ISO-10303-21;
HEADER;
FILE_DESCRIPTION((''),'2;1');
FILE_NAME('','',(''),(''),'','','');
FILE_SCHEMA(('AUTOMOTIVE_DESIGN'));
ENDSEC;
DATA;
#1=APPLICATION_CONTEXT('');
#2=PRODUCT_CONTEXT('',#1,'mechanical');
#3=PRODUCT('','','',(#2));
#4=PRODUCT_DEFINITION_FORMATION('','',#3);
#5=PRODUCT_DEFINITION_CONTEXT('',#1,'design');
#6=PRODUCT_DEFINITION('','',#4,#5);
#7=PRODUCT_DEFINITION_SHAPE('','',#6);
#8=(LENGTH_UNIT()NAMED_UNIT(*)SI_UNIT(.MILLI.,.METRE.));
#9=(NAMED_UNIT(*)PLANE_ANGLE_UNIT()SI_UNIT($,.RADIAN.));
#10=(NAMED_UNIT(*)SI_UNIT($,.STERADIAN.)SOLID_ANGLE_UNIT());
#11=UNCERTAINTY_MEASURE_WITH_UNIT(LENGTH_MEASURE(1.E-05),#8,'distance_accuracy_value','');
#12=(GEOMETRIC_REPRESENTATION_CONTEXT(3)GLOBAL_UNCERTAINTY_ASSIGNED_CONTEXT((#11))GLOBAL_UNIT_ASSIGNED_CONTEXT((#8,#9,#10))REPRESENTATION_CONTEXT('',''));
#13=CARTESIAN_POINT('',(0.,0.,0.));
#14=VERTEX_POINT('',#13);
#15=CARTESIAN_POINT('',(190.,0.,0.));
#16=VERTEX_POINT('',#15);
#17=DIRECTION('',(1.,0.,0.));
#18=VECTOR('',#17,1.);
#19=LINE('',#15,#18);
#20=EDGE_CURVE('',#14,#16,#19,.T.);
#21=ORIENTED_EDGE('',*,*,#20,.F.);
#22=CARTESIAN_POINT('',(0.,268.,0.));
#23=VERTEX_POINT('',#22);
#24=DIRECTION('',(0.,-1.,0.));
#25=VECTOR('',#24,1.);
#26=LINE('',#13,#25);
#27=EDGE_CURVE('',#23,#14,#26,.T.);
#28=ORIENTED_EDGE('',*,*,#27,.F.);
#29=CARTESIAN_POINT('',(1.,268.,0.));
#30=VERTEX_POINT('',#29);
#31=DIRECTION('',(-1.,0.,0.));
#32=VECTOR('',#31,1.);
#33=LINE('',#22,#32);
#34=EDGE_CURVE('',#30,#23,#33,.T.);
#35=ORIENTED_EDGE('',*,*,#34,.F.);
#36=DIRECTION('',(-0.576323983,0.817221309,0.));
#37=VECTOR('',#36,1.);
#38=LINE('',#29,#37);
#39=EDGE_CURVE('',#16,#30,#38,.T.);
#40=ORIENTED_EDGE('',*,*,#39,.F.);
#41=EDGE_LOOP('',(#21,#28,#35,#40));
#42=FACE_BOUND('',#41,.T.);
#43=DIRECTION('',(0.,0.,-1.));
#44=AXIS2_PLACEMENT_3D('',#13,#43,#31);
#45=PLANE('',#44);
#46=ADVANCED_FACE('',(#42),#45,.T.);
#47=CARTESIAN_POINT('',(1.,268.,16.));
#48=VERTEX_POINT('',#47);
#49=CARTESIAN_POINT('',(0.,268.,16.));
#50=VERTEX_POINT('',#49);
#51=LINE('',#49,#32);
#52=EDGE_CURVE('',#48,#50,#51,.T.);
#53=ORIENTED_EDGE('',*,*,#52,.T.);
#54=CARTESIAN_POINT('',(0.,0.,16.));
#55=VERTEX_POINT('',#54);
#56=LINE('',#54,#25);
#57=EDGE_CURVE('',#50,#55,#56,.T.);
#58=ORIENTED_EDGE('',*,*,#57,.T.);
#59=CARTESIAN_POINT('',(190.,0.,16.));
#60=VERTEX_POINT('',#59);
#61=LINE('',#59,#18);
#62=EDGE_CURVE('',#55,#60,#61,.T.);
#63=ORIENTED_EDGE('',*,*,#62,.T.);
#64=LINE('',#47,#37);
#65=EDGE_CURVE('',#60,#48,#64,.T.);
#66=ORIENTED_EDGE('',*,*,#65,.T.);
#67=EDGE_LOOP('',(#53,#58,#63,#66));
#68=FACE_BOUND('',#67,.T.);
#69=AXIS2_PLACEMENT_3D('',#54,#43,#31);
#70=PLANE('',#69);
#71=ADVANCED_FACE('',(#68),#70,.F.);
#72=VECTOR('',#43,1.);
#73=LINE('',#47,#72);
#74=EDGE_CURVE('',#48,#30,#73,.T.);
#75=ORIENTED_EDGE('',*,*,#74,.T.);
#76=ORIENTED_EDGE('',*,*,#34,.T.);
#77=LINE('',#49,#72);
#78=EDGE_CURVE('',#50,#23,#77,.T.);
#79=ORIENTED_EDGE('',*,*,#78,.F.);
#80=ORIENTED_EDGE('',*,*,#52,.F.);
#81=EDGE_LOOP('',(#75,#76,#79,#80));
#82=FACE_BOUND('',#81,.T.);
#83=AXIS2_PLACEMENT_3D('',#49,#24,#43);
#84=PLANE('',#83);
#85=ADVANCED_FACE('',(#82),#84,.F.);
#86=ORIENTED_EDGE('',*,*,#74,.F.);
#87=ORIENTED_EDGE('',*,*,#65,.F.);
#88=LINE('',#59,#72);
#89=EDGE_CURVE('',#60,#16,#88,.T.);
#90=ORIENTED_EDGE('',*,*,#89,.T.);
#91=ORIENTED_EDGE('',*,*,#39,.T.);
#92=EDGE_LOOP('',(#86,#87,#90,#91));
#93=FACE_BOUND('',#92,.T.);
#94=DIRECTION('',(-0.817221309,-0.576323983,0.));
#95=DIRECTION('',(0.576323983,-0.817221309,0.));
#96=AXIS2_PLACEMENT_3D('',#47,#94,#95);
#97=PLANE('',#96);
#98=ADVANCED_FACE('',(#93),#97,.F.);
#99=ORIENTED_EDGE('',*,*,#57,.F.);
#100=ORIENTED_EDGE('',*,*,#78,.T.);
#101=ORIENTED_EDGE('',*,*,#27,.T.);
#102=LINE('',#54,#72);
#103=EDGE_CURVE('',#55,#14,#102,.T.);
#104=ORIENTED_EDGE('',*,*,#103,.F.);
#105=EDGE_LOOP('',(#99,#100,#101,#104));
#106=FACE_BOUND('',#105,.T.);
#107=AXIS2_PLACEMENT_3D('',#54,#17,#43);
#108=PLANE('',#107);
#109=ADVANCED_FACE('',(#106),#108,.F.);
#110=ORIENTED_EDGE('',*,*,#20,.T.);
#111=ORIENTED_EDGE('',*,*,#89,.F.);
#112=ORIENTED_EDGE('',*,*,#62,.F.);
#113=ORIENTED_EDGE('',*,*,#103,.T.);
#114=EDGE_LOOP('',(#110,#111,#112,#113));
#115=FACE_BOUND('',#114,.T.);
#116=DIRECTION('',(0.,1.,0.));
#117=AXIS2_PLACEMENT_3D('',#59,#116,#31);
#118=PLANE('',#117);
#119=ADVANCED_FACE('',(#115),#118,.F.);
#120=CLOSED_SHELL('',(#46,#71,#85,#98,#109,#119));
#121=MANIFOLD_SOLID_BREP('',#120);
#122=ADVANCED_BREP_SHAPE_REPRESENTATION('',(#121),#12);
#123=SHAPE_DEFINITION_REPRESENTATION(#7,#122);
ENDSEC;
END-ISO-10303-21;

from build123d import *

# Parameters (mm, degrees)
EXTRUDE_1_DEPTH = 16


with BuildPart() as part:
    # 草图1 → 凸台-拉伸1 (new body)
    with BuildSketch(Plane.XY):
        Polygon((0, 0), (0, 268), (1, 268), (190, 0), align=None)
    extrude(amount=EXTRUDE_1_DEPTH)


solid = part.part
